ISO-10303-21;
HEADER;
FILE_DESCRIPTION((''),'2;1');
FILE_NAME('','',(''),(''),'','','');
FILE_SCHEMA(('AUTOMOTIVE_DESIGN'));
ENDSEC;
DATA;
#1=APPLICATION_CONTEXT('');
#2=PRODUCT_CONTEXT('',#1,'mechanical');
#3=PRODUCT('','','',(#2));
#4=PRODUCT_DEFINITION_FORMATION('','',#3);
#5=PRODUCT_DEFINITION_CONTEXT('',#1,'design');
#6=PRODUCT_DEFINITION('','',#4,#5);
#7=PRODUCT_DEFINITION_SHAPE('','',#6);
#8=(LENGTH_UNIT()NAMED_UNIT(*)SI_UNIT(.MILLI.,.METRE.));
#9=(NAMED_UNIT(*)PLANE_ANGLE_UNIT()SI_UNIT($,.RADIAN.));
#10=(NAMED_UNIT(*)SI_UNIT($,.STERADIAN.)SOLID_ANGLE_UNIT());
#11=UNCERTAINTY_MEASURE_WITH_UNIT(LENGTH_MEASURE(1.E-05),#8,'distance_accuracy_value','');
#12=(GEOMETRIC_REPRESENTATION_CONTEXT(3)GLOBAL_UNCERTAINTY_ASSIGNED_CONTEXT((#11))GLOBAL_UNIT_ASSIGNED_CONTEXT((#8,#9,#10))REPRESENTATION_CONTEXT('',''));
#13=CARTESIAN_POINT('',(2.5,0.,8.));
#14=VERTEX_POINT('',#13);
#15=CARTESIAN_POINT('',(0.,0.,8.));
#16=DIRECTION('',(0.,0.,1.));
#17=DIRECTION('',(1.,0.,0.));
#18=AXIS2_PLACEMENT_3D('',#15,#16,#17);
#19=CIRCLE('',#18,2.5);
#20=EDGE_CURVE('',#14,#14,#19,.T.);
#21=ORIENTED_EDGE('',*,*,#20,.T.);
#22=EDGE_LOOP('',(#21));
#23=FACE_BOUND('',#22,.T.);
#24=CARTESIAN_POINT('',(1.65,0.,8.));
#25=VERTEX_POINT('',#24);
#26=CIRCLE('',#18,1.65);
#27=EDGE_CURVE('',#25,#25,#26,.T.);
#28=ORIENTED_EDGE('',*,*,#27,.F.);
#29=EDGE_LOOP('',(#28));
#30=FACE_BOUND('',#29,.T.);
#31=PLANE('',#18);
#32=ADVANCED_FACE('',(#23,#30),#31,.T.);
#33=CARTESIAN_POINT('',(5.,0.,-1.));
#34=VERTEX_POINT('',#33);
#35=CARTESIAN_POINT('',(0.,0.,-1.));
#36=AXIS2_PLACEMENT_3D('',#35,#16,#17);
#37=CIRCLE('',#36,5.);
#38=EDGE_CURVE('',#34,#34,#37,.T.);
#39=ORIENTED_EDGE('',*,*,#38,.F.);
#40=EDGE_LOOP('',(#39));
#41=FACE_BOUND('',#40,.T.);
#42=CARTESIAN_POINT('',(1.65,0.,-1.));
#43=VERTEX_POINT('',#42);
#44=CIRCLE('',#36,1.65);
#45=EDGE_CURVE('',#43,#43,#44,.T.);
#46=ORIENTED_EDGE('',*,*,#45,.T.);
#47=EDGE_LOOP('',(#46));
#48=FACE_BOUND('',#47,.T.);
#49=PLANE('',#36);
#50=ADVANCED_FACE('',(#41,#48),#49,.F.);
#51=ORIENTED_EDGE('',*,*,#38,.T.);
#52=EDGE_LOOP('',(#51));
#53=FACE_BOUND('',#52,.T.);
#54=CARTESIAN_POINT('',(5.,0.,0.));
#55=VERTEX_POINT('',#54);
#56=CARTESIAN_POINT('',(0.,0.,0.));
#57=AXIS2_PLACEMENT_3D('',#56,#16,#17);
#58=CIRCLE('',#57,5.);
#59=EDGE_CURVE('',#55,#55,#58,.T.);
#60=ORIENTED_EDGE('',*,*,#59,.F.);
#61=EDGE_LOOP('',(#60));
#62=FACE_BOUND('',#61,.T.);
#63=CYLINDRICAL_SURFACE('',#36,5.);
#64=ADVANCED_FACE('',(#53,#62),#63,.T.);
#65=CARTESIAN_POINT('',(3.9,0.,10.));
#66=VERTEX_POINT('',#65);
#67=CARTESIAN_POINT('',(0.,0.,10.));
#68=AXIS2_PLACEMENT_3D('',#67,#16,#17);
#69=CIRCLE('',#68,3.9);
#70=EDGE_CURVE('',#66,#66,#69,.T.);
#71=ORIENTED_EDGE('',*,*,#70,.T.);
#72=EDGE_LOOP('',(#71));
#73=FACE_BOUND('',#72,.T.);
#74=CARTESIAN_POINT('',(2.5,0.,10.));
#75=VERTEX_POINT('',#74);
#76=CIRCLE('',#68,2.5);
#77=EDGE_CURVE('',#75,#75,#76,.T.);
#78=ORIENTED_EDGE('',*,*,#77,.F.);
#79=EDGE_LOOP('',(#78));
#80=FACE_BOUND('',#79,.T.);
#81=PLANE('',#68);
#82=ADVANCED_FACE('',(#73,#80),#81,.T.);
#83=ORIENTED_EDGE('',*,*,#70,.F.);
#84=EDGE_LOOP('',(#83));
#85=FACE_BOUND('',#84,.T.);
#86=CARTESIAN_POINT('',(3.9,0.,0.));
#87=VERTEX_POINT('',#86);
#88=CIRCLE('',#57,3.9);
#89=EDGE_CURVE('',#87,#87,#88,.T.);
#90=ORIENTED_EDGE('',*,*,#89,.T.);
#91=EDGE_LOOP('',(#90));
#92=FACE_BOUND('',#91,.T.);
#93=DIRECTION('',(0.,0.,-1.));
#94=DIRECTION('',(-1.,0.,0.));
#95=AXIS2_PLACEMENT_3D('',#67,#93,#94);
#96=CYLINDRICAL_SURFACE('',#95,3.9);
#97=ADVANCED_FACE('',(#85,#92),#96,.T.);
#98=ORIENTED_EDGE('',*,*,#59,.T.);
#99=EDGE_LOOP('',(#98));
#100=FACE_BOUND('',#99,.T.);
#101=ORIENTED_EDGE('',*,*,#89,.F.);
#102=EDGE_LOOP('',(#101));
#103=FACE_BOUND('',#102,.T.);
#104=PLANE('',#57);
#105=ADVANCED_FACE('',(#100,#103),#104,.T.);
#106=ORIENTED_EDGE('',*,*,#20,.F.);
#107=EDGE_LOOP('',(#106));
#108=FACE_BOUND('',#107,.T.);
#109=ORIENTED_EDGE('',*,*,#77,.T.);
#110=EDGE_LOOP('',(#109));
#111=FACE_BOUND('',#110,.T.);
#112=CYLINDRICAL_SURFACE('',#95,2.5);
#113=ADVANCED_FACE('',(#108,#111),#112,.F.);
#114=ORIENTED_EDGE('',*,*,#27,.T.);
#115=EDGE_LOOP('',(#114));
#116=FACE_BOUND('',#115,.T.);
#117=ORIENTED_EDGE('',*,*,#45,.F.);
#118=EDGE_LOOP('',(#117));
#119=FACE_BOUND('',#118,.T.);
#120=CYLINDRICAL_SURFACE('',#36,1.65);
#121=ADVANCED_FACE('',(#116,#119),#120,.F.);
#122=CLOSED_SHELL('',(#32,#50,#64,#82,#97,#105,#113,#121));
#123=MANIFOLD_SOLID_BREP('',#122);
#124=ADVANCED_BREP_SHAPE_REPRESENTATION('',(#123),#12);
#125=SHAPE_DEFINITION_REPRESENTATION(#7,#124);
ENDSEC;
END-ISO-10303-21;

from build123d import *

# Parameters (mm, degrees)
SKETCH1_R           = 5
SKETCH1_R_2         = 1.65
BOSS_EXTRUDE1_DEPTH = 1
SKETCH1_3_R         = 3.9
SKETCH1_3_R_2       = 2.5
BOSS_EXTRUDE2_DEPTH = 10
SKETCH1_4_R         = 2.5
SKETCH1_4_R_2       = 1.65
BOSS_EXTRUDE3_DEPTH = 8


with BuildPart() as part:
    # Sketch1 → Boss-Extrude1 (new body)
    with BuildSketch(Plane.XY):
        Circle(SKETCH1_R)
        Circle(SKETCH1_R_2, mode=Mode.SUBTRACT)
    extrude(amount=-BOSS_EXTRUDE1_DEPTH)

    # Sketch1<3> → Boss-Extrude2 (add)
    with BuildSketch(Plane.XY):
        Circle(SKETCH1_3_R)
        Circle(SKETCH1_3_R_2, mode=Mode.SUBTRACT)
    extrude(amount=BOSS_EXTRUDE2_DEPTH)

    # Sketch1<4> → Boss-Extrude3 (add)
    with BuildSketch(Plane.XY):
        Circle(SKETCH1_4_R)
        Circle(SKETCH1_4_R_2, mode=Mode.SUBTRACT)
    extrude(amount=BOSS_EXTRUDE3_DEPTH)


solid = part.part
